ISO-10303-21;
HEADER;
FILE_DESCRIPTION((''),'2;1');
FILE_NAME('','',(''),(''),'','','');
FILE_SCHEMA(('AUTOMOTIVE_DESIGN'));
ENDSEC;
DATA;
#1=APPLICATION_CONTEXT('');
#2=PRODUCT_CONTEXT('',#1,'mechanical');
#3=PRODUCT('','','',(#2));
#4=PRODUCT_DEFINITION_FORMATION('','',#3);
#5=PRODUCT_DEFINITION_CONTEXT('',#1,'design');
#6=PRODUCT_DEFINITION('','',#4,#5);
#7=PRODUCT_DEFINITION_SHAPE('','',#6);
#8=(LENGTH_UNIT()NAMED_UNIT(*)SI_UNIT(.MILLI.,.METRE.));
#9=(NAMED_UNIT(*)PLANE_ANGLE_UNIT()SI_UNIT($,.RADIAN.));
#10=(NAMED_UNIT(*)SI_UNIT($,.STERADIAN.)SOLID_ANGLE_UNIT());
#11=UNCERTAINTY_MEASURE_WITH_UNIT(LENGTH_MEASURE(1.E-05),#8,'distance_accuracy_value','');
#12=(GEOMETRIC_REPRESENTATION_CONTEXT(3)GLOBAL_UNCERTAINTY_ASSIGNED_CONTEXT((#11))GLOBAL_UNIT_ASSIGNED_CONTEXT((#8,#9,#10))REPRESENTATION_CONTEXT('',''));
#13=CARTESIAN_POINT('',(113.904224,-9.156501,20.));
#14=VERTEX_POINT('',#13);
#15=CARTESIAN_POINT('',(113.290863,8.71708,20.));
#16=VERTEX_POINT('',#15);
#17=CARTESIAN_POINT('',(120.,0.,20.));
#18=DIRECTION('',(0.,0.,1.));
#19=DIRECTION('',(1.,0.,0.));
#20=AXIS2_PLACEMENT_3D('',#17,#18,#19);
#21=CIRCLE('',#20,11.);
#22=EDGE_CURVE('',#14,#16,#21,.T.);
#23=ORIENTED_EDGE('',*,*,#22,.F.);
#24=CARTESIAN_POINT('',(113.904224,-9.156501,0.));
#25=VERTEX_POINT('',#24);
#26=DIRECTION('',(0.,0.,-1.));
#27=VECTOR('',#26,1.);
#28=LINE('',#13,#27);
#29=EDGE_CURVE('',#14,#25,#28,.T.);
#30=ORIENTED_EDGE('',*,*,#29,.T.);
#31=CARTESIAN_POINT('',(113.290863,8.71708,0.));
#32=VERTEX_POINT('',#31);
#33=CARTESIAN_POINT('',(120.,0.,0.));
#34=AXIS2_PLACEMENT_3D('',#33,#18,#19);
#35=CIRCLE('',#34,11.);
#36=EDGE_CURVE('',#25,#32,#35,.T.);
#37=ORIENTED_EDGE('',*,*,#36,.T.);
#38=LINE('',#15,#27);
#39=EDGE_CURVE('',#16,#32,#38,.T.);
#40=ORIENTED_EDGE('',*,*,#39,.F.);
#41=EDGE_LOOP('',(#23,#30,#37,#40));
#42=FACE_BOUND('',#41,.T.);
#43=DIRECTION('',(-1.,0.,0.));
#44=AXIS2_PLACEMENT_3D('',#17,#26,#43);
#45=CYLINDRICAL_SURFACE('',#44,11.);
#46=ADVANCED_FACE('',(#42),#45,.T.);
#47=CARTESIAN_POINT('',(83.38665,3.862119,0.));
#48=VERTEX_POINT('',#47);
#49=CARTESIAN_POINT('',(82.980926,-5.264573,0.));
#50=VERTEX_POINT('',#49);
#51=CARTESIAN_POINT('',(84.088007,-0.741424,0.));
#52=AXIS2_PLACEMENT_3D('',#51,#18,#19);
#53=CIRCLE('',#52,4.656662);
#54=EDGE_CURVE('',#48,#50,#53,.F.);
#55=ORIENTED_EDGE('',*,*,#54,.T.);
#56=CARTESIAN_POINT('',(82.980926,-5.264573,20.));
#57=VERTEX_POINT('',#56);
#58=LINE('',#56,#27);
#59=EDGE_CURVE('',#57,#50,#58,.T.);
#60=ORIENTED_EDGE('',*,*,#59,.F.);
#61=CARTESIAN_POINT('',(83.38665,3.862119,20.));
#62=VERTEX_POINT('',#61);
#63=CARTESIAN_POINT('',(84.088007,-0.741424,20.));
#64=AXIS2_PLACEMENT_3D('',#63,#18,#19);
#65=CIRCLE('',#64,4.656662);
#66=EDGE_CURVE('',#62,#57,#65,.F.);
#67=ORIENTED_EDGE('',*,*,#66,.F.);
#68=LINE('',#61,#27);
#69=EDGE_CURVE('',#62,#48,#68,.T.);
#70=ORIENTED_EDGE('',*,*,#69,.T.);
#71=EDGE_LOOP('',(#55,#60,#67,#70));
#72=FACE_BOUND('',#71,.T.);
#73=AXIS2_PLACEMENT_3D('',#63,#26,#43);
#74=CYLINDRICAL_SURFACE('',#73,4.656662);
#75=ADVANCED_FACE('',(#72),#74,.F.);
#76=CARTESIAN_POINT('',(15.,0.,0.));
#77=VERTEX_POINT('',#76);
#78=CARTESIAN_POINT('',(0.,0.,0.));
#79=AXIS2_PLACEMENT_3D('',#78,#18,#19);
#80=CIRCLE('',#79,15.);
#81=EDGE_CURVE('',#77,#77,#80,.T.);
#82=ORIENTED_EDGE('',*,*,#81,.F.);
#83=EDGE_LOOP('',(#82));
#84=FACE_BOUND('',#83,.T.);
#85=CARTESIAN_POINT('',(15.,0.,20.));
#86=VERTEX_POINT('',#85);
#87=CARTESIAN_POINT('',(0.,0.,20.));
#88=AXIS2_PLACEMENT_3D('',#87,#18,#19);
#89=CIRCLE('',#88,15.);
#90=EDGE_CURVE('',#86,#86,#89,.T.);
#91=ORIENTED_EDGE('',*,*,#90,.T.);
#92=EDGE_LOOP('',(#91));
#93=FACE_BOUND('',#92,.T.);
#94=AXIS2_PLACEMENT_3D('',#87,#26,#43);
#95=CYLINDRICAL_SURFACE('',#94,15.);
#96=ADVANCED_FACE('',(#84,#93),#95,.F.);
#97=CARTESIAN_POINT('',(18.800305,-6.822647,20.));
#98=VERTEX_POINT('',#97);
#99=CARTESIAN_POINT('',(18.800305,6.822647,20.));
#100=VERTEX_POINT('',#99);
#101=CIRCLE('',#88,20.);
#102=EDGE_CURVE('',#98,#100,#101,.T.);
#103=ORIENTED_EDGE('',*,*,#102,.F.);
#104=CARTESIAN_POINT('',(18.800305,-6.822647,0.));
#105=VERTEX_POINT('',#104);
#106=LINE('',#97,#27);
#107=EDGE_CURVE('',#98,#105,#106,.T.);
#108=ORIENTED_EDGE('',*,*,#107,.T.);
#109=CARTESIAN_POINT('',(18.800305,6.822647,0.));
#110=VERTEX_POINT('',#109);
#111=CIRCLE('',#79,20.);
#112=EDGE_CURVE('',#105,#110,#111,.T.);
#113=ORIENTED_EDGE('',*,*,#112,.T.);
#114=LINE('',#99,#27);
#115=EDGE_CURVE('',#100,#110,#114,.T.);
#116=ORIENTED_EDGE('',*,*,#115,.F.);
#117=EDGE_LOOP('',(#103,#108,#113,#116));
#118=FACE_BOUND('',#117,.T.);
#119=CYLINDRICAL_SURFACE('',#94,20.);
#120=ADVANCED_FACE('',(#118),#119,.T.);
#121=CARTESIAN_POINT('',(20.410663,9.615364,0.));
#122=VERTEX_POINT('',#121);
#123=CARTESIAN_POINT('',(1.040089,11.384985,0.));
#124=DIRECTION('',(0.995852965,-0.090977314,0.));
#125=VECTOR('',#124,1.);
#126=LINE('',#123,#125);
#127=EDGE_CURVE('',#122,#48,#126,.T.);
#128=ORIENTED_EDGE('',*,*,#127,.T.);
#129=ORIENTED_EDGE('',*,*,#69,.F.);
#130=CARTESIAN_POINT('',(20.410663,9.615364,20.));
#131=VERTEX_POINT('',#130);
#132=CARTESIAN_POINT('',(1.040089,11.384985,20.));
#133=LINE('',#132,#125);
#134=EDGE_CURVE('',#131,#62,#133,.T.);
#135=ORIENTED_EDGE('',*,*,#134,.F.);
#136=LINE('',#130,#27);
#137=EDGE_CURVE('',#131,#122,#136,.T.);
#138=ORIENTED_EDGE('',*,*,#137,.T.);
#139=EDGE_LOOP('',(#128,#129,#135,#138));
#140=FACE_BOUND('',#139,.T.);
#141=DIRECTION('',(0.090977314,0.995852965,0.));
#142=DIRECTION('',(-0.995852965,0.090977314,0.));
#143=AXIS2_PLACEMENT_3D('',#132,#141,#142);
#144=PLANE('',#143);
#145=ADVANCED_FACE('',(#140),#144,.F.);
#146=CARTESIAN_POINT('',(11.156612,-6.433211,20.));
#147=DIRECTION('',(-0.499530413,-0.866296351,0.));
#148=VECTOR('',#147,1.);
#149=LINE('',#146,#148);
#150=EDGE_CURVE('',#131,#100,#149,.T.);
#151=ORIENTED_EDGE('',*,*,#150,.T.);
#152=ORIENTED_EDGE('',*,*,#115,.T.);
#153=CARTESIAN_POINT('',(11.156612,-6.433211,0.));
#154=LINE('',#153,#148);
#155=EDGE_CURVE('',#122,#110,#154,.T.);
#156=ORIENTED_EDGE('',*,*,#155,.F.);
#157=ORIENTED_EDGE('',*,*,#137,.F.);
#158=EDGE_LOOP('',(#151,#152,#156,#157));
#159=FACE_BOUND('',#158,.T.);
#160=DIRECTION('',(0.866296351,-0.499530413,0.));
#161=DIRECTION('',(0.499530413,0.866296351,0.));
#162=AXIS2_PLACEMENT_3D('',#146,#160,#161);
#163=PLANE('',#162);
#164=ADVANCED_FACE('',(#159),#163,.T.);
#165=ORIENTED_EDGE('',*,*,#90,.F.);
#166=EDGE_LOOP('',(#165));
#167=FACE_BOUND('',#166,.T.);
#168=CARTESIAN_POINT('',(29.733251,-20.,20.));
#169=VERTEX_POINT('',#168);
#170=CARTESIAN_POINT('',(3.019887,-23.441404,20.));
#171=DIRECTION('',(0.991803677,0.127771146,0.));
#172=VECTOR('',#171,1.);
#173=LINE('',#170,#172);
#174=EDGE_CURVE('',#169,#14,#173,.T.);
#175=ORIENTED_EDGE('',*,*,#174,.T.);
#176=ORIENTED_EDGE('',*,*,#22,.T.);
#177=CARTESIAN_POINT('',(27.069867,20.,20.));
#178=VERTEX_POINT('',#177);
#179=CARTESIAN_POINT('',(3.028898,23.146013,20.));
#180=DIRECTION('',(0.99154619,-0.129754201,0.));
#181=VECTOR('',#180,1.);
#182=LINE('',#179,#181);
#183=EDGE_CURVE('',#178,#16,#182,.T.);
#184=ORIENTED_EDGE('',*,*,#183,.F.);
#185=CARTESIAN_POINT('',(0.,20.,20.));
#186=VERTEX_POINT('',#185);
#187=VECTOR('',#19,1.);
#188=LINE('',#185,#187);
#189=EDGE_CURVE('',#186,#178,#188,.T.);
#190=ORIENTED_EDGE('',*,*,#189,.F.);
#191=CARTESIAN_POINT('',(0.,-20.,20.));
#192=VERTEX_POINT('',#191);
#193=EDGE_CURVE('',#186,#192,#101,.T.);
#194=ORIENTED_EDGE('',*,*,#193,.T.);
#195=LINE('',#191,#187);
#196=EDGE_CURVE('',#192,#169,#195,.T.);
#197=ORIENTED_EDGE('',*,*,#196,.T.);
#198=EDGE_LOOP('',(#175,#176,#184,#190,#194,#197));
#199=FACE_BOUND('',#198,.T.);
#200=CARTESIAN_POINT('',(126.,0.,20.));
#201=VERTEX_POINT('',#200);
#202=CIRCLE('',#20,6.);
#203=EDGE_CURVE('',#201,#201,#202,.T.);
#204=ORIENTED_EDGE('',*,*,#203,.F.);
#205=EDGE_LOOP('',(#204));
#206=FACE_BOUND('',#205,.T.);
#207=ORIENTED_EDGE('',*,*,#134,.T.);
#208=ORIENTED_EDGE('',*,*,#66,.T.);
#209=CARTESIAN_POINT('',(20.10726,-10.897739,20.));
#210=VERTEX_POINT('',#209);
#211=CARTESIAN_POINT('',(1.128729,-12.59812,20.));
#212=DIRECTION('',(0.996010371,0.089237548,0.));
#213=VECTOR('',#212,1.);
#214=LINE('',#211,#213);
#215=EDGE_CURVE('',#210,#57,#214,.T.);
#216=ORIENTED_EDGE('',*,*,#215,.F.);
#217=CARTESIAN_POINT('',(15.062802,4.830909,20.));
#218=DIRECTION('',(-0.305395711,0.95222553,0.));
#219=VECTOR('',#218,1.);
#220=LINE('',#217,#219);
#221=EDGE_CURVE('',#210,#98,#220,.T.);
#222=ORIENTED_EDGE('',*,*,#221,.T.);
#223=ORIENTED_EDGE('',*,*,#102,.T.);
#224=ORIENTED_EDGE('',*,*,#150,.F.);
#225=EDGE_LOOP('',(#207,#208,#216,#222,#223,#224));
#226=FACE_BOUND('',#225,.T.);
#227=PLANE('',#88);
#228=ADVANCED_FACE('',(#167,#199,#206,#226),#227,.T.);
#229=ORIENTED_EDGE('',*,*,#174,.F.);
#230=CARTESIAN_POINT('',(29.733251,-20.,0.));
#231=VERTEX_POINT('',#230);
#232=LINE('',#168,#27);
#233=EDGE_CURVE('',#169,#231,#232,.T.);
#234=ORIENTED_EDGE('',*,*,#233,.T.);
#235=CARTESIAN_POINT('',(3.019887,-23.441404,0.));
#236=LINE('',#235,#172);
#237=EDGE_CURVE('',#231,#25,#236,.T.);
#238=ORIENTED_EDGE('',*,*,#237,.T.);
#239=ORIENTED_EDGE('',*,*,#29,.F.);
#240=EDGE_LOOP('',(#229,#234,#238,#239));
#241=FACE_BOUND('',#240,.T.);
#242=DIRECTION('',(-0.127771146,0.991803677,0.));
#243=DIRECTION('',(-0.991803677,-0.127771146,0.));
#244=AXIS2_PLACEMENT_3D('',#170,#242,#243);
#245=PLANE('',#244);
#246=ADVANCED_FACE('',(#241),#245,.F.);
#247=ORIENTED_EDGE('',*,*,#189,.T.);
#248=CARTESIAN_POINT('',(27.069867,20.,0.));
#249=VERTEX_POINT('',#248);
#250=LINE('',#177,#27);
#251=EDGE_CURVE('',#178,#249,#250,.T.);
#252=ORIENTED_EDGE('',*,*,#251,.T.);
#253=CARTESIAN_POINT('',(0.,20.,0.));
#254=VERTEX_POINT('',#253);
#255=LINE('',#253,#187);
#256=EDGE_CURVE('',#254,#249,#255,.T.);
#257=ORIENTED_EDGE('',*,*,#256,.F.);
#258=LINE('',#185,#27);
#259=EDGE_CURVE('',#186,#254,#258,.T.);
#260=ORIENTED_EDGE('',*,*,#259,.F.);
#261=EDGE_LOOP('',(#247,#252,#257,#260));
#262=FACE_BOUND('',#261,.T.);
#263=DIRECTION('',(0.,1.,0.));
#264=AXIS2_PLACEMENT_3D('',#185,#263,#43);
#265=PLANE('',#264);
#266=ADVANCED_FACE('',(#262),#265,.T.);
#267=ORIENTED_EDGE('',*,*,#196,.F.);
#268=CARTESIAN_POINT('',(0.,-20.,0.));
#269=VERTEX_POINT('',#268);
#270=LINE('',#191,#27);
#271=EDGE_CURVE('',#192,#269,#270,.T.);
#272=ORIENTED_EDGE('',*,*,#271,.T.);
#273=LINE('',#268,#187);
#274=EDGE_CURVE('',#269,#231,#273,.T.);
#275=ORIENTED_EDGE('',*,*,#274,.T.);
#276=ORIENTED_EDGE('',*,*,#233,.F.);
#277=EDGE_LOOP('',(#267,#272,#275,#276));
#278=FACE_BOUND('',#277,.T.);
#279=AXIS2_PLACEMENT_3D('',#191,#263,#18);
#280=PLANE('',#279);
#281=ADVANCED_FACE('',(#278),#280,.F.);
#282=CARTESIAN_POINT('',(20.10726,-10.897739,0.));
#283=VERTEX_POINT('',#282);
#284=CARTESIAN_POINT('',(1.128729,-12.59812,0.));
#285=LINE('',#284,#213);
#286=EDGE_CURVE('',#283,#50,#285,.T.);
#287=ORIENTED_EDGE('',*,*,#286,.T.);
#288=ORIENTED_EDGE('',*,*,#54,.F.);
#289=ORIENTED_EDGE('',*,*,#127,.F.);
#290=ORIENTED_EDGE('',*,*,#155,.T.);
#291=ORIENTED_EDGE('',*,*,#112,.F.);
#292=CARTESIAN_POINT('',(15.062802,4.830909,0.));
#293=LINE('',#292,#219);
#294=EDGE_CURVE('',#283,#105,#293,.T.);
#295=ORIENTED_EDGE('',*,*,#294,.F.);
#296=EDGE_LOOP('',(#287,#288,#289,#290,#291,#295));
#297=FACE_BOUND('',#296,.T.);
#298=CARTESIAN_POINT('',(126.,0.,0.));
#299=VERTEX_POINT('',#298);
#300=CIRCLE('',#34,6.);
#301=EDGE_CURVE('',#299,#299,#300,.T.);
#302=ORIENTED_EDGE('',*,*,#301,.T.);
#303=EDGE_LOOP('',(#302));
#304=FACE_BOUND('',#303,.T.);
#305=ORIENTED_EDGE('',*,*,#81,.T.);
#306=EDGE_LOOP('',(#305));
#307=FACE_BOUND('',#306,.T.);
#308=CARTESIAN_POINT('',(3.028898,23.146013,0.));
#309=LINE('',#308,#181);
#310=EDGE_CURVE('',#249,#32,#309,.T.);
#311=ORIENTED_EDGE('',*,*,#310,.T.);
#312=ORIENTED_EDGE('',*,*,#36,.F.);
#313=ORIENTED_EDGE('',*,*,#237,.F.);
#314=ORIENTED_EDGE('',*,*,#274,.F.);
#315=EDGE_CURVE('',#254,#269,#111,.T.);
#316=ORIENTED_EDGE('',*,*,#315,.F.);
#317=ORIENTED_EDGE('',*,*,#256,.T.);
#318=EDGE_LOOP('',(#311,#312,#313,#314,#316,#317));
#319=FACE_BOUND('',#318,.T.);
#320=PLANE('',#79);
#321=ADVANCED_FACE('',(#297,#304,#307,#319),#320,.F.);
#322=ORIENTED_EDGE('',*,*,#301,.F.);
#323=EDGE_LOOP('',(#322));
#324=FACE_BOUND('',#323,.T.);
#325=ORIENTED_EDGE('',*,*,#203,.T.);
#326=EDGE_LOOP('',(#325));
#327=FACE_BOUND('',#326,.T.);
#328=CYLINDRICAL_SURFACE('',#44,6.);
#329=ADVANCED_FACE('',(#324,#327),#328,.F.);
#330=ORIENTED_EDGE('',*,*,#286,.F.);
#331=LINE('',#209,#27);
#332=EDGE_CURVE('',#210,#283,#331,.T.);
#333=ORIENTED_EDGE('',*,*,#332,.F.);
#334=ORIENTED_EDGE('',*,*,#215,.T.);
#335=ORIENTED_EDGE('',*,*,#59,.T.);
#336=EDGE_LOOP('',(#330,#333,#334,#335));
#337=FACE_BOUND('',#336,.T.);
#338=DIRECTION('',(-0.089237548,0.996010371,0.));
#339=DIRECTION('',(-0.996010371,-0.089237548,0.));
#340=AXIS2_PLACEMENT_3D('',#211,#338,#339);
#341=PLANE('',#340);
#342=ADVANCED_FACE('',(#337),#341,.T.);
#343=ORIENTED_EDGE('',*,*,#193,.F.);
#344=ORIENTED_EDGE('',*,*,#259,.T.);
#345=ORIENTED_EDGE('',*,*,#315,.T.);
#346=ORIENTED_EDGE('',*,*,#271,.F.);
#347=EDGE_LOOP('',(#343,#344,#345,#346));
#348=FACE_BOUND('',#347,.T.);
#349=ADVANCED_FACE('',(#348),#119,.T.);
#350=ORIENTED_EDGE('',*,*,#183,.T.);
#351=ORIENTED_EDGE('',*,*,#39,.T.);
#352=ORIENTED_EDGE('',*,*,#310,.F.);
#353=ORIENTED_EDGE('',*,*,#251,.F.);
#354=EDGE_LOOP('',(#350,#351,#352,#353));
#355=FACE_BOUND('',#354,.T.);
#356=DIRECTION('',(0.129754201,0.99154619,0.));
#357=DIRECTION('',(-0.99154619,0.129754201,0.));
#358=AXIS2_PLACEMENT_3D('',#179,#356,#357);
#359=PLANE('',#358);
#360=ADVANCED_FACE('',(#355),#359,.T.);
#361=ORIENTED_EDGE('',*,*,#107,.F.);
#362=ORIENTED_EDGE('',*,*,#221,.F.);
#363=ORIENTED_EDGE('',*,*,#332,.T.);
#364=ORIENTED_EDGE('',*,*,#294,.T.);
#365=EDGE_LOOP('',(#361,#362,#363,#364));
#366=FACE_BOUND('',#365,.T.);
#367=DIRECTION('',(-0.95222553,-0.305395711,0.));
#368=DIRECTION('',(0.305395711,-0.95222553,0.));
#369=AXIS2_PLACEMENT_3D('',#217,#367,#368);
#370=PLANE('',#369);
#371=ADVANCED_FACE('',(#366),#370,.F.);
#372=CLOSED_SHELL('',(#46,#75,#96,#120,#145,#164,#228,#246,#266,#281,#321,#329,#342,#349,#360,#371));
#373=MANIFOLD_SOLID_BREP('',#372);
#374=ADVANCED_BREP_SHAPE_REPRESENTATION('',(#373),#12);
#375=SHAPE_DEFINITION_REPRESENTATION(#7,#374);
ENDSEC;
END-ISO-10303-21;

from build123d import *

# Parameters (mm, degrees)
SZKIC2_R                    = 20
SZKIC2_R_2                  = 15
SZKIC2_R_3                  = 11
SZKIC2_R_4                  = 6
DODANIE_WYCI_GNI_CIE2_DEPTH = 20


with BuildPart() as part:
    # Szkic2 → Dodanie-wyciągnięcie2 (new body)
    with BuildSketch(Plane.XY):
        with BuildLine():
            ThreePointArc((18.800305478, -6.822647135), (11.479265162, -16.377621053), (0, -20))
            Line((0, -20), (29.733250719, -20))
            Line((29.733250719, -20), (113.904224342, -9.156501468))
            ThreePointArc((113.904224342, -9.156501468), (109.006471259, -0.377260954), (113.290863107, 8.71707991))
            Line((113.290863107, 8.71707991), (27.069867273, 20))
            Line((27.069867273, 20), (0, 20))
            ThreePointArc((0, 20), (11.479265162, 16.377621053), (18.800305478, 6.822647135))
            Line((18.800305478, 6.822647135), (20.410663052, 9.615363763))
            Line((20.410663052, 9.615363763), (83.386650307, 3.862118667))
            ThreePointArc((83.386650307, 3.862118667), (88.740074522, -0.948230099), (82.9809258, -5.26457254))
            Line((82.9809258, -5.26457254), (20.107259976, -10.897738547))
            Line((20.107259976, -10.897738547), (18.800305478, -6.822647135))
        make_face()
        Circle(SZKIC2_R)
        Circle(SZKIC2_R_2, mode=Mode.SUBTRACT)
        with Locations((120, 0)):
            Circle(SZKIC2_R_3)
        with Locations((120, 0)):
            Circle(SZKIC2_R_4, mode=Mode.SUBTRACT)
    extrude(amount=DODANIE_WYCI_GNI_CIE2_DEPTH)


solid = part.part
